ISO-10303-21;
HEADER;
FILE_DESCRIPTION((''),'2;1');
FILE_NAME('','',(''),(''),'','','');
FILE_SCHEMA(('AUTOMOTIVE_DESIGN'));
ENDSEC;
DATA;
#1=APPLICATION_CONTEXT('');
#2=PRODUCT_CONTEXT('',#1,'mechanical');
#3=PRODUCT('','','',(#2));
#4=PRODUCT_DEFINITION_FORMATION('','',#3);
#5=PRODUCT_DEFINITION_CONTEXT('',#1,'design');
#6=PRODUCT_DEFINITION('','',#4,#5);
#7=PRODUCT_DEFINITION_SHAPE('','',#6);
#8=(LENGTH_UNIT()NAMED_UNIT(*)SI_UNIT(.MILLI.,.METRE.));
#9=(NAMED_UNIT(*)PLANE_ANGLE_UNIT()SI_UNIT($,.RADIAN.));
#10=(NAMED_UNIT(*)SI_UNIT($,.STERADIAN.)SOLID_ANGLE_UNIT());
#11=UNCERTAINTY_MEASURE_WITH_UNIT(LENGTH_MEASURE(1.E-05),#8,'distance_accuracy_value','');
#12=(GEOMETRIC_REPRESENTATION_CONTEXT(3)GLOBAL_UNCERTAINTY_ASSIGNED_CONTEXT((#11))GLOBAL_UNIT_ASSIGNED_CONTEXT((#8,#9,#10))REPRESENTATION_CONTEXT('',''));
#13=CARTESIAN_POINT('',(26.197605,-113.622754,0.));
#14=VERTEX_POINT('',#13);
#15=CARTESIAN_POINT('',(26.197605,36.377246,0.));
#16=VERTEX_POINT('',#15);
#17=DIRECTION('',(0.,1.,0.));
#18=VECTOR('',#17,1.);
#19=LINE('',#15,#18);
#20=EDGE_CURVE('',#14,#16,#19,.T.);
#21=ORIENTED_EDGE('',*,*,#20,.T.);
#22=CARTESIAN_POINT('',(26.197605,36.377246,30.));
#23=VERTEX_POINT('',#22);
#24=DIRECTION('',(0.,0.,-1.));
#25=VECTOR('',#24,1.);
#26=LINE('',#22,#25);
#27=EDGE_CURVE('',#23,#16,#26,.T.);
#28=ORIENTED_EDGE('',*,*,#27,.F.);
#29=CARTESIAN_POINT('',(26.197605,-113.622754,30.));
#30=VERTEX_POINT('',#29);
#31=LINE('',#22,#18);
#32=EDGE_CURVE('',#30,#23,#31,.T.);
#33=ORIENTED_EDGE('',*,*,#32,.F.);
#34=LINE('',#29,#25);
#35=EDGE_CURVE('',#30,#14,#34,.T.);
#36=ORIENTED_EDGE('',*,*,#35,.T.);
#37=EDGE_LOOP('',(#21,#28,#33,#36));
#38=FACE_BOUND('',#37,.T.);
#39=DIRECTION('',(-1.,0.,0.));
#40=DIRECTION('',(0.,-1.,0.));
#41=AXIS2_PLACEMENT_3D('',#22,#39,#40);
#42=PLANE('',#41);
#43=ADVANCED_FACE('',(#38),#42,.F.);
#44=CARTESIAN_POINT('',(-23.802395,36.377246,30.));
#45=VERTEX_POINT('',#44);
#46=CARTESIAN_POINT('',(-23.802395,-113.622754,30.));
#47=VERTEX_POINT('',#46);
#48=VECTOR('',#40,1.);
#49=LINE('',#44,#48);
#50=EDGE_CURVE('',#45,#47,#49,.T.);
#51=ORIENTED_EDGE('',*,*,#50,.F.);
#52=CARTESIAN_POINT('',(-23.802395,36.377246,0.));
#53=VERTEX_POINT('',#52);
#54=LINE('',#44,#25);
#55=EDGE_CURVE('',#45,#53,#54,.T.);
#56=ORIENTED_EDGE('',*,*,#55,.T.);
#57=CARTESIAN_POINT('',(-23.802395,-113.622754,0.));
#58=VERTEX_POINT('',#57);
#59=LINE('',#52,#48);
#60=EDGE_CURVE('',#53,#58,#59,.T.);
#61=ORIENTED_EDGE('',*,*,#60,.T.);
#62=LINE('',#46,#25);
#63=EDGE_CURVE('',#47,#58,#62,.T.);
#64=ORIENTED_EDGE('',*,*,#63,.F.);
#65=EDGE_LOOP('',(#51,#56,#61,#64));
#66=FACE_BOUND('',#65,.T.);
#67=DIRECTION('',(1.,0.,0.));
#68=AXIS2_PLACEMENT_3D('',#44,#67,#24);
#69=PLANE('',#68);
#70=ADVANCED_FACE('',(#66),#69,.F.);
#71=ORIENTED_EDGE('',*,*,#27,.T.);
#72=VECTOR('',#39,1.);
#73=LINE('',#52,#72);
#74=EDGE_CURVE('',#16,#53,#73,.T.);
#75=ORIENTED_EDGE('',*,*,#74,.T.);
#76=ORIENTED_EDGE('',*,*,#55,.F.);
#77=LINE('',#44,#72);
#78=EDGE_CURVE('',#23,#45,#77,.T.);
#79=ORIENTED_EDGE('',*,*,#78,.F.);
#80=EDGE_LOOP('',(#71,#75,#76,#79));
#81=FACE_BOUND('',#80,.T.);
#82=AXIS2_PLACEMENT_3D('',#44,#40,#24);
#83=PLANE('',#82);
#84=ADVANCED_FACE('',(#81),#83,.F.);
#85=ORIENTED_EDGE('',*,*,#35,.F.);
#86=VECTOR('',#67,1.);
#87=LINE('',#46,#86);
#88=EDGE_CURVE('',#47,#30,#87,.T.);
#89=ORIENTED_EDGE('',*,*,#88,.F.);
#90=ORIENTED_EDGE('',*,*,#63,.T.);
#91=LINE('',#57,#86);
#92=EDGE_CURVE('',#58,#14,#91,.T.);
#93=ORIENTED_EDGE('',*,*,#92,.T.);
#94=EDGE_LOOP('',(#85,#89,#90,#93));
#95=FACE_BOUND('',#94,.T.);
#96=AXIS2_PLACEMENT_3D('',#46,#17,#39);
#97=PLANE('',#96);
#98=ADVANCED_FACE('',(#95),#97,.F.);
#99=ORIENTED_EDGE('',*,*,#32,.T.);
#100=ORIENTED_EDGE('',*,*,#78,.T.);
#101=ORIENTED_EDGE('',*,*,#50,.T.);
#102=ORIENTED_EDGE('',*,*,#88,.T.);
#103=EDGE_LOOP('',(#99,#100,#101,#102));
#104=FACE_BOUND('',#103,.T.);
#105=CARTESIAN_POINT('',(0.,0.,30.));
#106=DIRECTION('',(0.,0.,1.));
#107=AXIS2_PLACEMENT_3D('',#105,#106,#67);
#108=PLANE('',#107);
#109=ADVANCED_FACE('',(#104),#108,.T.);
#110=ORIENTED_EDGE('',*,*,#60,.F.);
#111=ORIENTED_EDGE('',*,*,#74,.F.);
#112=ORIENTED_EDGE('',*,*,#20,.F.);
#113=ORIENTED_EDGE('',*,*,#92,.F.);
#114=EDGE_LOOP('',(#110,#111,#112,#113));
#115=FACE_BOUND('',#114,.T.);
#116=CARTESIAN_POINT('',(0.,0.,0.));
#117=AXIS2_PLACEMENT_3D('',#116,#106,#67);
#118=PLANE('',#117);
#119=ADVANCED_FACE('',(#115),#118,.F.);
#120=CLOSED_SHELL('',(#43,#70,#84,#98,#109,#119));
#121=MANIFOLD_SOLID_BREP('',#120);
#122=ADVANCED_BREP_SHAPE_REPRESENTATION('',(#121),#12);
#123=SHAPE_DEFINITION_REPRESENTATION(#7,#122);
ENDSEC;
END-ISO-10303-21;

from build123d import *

# Parameters (mm, degrees)
ESQUISSE1_W        = 50
ESQUISSE1_H        = 150
BOSS_EXTRU_1_DEPTH = 30


with BuildPart() as part:
    # Esquisse1 → Boss.-Extru.1 (new body)
    with BuildSketch(Plane.XY):
        with Locations((1.19760479, -38.622754491)):
            Rectangle(ESQUISSE1_W, ESQUISSE1_H)
    extrude(amount=BOSS_EXTRU_1_DEPTH)


solid = part.part
